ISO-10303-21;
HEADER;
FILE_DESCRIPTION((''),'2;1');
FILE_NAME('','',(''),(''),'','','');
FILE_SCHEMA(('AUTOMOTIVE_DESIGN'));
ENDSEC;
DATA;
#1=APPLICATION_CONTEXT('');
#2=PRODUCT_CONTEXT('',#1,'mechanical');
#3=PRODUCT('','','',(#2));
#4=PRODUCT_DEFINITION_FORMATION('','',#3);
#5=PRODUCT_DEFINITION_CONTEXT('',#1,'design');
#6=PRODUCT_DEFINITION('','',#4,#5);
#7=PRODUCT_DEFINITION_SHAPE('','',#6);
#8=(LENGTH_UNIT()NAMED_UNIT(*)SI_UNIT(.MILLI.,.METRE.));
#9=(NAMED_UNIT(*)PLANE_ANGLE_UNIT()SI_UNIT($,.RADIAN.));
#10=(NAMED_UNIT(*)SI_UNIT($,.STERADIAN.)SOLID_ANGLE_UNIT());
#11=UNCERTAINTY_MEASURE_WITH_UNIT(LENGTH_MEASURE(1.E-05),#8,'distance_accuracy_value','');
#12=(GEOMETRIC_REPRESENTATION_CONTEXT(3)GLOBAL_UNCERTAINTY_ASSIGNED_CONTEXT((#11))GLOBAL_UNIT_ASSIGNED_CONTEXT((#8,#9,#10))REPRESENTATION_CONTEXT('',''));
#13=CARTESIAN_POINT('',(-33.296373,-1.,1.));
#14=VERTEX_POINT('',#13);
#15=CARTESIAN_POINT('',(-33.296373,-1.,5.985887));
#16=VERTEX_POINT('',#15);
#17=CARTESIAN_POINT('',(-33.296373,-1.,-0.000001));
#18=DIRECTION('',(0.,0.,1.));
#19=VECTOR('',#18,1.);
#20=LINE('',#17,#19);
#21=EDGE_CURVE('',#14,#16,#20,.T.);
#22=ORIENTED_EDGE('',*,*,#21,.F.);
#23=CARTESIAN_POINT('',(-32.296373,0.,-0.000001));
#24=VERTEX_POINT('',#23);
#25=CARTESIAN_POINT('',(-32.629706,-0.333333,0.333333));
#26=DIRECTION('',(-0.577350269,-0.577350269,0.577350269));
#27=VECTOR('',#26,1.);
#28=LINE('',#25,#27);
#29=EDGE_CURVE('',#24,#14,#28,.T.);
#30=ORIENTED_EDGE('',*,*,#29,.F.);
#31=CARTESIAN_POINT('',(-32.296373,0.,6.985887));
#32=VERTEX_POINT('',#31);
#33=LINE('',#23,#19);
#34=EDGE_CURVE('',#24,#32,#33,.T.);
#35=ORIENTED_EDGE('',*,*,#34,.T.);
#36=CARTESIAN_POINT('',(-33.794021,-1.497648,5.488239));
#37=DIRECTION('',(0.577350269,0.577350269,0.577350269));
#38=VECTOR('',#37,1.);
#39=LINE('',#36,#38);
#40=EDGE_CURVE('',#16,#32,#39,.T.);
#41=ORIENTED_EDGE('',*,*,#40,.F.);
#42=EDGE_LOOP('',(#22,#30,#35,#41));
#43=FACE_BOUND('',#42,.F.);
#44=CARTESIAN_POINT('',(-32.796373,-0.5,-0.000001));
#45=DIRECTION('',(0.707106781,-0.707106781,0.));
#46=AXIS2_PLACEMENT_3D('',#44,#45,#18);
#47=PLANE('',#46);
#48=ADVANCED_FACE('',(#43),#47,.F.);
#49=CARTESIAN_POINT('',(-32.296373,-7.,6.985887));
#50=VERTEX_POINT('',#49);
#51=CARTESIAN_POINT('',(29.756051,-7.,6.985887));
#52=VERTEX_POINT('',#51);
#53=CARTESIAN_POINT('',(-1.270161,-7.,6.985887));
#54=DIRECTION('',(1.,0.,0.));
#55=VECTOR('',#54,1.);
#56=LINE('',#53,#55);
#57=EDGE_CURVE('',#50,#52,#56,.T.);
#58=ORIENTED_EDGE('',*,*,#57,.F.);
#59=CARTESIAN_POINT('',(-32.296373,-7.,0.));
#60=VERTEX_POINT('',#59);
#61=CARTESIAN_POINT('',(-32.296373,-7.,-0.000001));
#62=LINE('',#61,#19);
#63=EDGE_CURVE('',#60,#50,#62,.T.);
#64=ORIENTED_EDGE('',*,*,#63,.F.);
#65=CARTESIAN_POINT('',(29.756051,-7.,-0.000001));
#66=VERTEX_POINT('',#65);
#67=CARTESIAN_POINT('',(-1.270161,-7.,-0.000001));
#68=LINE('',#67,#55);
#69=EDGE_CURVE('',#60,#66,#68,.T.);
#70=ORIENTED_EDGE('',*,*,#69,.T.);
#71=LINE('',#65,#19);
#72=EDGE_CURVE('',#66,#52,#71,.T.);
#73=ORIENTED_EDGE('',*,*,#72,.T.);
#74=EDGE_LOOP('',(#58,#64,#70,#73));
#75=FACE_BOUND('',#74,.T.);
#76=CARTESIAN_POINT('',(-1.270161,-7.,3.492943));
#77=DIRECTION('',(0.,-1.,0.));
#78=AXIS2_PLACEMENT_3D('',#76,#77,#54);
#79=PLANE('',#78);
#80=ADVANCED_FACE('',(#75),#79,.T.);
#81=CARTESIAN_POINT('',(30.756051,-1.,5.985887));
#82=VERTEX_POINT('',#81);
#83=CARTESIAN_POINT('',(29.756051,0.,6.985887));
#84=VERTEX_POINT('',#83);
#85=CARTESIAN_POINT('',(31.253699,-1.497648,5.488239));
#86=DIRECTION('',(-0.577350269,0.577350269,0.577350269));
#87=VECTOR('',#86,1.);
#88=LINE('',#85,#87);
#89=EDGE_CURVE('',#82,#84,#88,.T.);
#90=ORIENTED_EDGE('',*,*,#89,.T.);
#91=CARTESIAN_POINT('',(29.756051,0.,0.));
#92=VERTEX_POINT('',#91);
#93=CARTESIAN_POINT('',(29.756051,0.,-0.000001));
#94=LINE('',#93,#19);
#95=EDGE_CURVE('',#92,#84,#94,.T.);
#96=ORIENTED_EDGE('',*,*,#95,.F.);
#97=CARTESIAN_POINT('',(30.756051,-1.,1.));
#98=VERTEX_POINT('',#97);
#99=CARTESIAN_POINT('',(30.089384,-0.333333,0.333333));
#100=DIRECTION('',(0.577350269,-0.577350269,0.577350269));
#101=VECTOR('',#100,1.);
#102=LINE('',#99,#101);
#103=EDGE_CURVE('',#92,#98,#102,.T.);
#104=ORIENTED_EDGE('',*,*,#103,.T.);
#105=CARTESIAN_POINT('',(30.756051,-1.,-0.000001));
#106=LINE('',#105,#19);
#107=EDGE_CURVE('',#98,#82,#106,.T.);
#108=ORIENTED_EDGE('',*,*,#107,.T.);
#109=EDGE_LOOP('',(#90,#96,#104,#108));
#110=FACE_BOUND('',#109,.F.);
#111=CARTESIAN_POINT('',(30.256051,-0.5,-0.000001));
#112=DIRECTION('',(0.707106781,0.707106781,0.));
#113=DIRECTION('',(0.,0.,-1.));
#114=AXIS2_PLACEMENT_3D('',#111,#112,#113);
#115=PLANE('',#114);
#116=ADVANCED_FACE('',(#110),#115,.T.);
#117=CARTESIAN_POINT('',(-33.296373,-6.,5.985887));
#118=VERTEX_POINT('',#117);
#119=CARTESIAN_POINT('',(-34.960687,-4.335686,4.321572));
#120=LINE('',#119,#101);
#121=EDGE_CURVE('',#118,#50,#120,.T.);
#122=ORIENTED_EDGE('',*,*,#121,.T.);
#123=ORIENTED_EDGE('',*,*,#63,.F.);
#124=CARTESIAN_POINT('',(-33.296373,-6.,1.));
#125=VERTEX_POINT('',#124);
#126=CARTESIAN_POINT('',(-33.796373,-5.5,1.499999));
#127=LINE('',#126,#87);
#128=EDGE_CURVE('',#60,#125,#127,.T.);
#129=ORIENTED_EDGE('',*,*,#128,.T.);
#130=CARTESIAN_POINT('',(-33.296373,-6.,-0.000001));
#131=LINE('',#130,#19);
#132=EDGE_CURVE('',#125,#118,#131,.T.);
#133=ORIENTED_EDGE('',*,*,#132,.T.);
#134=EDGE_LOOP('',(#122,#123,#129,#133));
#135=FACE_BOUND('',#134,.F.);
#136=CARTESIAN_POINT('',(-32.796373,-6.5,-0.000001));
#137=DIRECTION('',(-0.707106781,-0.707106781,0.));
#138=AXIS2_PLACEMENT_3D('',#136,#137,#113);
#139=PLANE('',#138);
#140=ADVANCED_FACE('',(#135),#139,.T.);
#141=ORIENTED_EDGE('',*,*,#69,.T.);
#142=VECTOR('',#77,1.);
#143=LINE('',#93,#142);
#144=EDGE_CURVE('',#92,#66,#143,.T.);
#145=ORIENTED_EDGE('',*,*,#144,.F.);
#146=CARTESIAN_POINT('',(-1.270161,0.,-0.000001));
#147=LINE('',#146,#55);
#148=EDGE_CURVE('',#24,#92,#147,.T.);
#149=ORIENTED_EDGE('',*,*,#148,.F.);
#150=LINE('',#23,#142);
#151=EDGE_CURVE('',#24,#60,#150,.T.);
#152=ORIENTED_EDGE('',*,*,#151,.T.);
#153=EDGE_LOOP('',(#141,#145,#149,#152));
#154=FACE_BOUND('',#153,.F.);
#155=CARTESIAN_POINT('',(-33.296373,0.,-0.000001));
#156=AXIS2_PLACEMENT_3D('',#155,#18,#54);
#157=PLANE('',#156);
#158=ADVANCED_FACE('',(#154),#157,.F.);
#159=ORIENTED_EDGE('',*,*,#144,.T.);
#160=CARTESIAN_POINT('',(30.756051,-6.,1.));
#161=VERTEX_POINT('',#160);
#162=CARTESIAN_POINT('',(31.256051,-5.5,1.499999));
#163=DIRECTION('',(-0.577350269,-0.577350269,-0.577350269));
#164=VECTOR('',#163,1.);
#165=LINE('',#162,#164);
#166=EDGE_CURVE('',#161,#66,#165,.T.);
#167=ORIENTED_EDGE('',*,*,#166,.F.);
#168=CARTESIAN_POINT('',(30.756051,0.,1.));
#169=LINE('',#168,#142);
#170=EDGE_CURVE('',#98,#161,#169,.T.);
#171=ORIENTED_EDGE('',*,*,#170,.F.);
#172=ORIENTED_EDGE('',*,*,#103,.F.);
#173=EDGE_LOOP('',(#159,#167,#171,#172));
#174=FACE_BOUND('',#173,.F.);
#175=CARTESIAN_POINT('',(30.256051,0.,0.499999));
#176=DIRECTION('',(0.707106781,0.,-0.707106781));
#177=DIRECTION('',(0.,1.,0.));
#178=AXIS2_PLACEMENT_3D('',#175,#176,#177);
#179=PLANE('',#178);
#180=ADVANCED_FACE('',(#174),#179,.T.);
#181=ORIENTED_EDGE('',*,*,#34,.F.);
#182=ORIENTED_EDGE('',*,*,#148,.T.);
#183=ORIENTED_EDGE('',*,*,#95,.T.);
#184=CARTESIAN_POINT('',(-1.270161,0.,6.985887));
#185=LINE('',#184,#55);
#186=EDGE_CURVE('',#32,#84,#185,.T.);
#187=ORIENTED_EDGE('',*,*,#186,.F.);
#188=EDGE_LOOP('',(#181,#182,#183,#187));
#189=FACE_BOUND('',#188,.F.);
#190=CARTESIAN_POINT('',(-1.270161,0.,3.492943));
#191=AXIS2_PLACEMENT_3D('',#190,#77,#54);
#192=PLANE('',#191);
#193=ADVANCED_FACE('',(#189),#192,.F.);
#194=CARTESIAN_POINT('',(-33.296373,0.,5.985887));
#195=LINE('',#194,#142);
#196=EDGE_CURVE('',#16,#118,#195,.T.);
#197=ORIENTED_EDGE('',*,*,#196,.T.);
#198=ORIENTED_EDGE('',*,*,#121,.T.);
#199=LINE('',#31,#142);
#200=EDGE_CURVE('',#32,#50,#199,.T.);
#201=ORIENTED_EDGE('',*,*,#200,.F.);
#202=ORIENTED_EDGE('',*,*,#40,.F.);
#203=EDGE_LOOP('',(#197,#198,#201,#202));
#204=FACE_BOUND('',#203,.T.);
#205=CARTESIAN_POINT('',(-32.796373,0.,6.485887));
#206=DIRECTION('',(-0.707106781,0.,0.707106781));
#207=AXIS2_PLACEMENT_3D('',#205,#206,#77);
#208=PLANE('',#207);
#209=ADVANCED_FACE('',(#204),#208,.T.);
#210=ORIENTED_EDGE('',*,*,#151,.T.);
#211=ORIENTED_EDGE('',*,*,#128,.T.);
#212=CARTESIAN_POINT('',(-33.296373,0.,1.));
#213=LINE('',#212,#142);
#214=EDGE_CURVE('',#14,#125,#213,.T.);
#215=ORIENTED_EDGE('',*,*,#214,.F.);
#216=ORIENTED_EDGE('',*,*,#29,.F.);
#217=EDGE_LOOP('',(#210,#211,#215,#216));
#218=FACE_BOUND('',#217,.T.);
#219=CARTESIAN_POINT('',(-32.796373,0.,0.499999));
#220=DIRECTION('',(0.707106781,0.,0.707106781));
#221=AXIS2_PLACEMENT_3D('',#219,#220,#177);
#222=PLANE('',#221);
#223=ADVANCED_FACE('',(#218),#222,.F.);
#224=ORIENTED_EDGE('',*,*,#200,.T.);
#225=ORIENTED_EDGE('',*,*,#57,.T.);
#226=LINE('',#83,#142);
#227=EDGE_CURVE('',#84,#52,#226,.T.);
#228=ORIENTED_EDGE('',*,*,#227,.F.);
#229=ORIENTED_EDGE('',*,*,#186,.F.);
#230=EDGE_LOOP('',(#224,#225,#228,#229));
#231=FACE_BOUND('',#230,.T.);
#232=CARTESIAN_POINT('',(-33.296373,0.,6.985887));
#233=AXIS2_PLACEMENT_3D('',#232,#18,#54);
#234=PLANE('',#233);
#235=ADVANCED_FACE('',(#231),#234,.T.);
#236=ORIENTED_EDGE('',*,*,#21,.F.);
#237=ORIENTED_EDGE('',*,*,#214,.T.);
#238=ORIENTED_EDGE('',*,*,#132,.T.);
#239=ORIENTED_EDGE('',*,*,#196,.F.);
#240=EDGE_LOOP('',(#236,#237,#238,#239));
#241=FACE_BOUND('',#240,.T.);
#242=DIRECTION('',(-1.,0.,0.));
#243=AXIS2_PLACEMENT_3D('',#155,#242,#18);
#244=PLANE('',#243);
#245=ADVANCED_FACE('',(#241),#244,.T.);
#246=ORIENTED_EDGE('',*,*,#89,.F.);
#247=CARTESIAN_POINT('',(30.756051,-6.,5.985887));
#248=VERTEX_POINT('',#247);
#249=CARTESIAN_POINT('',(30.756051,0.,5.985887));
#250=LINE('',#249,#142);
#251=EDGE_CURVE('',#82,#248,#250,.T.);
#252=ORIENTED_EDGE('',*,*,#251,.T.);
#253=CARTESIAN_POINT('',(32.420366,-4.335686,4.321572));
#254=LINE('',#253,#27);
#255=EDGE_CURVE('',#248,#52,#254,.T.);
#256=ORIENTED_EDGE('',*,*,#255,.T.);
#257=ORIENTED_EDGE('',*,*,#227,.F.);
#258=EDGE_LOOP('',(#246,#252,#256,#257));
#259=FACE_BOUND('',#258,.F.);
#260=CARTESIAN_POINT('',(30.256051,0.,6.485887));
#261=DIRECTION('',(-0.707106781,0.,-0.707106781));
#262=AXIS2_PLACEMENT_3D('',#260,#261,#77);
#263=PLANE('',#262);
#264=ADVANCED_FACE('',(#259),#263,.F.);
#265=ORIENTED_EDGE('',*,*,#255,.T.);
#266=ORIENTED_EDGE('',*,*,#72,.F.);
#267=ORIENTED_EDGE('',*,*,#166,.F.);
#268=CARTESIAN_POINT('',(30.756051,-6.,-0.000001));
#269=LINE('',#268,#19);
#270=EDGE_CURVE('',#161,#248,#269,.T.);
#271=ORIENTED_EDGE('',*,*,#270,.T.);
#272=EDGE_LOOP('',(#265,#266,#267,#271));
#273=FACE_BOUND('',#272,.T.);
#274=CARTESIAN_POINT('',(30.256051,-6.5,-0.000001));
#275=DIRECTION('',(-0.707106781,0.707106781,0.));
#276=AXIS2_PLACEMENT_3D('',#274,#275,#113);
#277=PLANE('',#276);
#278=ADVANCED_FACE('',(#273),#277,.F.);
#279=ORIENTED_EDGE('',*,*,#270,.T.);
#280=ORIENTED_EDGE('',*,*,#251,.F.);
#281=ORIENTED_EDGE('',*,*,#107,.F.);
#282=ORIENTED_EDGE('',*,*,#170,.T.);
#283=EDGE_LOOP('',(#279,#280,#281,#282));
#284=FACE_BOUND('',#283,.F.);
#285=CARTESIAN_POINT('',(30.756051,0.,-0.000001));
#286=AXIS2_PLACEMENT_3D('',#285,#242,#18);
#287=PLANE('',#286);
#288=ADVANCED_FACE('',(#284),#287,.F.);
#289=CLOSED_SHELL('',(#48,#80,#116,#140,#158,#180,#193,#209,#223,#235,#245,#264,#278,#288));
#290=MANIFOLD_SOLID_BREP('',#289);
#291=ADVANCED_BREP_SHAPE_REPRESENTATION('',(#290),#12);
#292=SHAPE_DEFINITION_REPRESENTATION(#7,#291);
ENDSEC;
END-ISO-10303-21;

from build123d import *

# Parameters (mm, degrees)
F0_W     = 64.052424
F0_H     = 6.985887
F1_DEPTH = 7
F2_SIZE  = 1
F3_SIZE  = 1


with BuildPart() as f1:
    # F0 (on Front) → F1 (new body)
    with BuildSketch(Plane.XZ):
        with Locations((-1.270161, 3.492943)):
            Rectangle(F0_W, F0_H)
    extrude(amount=F1_DEPTH)

    # F2
    f2_edges = [f1.edges().sort_by_distance(p)[0] for p in [
        (30.756051, -3.5, 6.985887),
        (30.756051, -7, 3.492943),
        (30.756051, -3.5, 0),
        (30.756051, 0, 3.492943),
    ]]
    chamfer(f2_edges, length=F2_SIZE)

    # F3
    f3_edges = [f1.edges().sort_by_distance(p)[0] for p in [
        (-33.296373, -3.5, 6.985887),
        (-33.296373, 0, 3.492943),
        (-33.296373, -3.5, 0),
        (-33.296373, -7, 3.492943),
    ]]
    chamfer(f3_edges, length=F3_SIZE)


solid = f1.part
